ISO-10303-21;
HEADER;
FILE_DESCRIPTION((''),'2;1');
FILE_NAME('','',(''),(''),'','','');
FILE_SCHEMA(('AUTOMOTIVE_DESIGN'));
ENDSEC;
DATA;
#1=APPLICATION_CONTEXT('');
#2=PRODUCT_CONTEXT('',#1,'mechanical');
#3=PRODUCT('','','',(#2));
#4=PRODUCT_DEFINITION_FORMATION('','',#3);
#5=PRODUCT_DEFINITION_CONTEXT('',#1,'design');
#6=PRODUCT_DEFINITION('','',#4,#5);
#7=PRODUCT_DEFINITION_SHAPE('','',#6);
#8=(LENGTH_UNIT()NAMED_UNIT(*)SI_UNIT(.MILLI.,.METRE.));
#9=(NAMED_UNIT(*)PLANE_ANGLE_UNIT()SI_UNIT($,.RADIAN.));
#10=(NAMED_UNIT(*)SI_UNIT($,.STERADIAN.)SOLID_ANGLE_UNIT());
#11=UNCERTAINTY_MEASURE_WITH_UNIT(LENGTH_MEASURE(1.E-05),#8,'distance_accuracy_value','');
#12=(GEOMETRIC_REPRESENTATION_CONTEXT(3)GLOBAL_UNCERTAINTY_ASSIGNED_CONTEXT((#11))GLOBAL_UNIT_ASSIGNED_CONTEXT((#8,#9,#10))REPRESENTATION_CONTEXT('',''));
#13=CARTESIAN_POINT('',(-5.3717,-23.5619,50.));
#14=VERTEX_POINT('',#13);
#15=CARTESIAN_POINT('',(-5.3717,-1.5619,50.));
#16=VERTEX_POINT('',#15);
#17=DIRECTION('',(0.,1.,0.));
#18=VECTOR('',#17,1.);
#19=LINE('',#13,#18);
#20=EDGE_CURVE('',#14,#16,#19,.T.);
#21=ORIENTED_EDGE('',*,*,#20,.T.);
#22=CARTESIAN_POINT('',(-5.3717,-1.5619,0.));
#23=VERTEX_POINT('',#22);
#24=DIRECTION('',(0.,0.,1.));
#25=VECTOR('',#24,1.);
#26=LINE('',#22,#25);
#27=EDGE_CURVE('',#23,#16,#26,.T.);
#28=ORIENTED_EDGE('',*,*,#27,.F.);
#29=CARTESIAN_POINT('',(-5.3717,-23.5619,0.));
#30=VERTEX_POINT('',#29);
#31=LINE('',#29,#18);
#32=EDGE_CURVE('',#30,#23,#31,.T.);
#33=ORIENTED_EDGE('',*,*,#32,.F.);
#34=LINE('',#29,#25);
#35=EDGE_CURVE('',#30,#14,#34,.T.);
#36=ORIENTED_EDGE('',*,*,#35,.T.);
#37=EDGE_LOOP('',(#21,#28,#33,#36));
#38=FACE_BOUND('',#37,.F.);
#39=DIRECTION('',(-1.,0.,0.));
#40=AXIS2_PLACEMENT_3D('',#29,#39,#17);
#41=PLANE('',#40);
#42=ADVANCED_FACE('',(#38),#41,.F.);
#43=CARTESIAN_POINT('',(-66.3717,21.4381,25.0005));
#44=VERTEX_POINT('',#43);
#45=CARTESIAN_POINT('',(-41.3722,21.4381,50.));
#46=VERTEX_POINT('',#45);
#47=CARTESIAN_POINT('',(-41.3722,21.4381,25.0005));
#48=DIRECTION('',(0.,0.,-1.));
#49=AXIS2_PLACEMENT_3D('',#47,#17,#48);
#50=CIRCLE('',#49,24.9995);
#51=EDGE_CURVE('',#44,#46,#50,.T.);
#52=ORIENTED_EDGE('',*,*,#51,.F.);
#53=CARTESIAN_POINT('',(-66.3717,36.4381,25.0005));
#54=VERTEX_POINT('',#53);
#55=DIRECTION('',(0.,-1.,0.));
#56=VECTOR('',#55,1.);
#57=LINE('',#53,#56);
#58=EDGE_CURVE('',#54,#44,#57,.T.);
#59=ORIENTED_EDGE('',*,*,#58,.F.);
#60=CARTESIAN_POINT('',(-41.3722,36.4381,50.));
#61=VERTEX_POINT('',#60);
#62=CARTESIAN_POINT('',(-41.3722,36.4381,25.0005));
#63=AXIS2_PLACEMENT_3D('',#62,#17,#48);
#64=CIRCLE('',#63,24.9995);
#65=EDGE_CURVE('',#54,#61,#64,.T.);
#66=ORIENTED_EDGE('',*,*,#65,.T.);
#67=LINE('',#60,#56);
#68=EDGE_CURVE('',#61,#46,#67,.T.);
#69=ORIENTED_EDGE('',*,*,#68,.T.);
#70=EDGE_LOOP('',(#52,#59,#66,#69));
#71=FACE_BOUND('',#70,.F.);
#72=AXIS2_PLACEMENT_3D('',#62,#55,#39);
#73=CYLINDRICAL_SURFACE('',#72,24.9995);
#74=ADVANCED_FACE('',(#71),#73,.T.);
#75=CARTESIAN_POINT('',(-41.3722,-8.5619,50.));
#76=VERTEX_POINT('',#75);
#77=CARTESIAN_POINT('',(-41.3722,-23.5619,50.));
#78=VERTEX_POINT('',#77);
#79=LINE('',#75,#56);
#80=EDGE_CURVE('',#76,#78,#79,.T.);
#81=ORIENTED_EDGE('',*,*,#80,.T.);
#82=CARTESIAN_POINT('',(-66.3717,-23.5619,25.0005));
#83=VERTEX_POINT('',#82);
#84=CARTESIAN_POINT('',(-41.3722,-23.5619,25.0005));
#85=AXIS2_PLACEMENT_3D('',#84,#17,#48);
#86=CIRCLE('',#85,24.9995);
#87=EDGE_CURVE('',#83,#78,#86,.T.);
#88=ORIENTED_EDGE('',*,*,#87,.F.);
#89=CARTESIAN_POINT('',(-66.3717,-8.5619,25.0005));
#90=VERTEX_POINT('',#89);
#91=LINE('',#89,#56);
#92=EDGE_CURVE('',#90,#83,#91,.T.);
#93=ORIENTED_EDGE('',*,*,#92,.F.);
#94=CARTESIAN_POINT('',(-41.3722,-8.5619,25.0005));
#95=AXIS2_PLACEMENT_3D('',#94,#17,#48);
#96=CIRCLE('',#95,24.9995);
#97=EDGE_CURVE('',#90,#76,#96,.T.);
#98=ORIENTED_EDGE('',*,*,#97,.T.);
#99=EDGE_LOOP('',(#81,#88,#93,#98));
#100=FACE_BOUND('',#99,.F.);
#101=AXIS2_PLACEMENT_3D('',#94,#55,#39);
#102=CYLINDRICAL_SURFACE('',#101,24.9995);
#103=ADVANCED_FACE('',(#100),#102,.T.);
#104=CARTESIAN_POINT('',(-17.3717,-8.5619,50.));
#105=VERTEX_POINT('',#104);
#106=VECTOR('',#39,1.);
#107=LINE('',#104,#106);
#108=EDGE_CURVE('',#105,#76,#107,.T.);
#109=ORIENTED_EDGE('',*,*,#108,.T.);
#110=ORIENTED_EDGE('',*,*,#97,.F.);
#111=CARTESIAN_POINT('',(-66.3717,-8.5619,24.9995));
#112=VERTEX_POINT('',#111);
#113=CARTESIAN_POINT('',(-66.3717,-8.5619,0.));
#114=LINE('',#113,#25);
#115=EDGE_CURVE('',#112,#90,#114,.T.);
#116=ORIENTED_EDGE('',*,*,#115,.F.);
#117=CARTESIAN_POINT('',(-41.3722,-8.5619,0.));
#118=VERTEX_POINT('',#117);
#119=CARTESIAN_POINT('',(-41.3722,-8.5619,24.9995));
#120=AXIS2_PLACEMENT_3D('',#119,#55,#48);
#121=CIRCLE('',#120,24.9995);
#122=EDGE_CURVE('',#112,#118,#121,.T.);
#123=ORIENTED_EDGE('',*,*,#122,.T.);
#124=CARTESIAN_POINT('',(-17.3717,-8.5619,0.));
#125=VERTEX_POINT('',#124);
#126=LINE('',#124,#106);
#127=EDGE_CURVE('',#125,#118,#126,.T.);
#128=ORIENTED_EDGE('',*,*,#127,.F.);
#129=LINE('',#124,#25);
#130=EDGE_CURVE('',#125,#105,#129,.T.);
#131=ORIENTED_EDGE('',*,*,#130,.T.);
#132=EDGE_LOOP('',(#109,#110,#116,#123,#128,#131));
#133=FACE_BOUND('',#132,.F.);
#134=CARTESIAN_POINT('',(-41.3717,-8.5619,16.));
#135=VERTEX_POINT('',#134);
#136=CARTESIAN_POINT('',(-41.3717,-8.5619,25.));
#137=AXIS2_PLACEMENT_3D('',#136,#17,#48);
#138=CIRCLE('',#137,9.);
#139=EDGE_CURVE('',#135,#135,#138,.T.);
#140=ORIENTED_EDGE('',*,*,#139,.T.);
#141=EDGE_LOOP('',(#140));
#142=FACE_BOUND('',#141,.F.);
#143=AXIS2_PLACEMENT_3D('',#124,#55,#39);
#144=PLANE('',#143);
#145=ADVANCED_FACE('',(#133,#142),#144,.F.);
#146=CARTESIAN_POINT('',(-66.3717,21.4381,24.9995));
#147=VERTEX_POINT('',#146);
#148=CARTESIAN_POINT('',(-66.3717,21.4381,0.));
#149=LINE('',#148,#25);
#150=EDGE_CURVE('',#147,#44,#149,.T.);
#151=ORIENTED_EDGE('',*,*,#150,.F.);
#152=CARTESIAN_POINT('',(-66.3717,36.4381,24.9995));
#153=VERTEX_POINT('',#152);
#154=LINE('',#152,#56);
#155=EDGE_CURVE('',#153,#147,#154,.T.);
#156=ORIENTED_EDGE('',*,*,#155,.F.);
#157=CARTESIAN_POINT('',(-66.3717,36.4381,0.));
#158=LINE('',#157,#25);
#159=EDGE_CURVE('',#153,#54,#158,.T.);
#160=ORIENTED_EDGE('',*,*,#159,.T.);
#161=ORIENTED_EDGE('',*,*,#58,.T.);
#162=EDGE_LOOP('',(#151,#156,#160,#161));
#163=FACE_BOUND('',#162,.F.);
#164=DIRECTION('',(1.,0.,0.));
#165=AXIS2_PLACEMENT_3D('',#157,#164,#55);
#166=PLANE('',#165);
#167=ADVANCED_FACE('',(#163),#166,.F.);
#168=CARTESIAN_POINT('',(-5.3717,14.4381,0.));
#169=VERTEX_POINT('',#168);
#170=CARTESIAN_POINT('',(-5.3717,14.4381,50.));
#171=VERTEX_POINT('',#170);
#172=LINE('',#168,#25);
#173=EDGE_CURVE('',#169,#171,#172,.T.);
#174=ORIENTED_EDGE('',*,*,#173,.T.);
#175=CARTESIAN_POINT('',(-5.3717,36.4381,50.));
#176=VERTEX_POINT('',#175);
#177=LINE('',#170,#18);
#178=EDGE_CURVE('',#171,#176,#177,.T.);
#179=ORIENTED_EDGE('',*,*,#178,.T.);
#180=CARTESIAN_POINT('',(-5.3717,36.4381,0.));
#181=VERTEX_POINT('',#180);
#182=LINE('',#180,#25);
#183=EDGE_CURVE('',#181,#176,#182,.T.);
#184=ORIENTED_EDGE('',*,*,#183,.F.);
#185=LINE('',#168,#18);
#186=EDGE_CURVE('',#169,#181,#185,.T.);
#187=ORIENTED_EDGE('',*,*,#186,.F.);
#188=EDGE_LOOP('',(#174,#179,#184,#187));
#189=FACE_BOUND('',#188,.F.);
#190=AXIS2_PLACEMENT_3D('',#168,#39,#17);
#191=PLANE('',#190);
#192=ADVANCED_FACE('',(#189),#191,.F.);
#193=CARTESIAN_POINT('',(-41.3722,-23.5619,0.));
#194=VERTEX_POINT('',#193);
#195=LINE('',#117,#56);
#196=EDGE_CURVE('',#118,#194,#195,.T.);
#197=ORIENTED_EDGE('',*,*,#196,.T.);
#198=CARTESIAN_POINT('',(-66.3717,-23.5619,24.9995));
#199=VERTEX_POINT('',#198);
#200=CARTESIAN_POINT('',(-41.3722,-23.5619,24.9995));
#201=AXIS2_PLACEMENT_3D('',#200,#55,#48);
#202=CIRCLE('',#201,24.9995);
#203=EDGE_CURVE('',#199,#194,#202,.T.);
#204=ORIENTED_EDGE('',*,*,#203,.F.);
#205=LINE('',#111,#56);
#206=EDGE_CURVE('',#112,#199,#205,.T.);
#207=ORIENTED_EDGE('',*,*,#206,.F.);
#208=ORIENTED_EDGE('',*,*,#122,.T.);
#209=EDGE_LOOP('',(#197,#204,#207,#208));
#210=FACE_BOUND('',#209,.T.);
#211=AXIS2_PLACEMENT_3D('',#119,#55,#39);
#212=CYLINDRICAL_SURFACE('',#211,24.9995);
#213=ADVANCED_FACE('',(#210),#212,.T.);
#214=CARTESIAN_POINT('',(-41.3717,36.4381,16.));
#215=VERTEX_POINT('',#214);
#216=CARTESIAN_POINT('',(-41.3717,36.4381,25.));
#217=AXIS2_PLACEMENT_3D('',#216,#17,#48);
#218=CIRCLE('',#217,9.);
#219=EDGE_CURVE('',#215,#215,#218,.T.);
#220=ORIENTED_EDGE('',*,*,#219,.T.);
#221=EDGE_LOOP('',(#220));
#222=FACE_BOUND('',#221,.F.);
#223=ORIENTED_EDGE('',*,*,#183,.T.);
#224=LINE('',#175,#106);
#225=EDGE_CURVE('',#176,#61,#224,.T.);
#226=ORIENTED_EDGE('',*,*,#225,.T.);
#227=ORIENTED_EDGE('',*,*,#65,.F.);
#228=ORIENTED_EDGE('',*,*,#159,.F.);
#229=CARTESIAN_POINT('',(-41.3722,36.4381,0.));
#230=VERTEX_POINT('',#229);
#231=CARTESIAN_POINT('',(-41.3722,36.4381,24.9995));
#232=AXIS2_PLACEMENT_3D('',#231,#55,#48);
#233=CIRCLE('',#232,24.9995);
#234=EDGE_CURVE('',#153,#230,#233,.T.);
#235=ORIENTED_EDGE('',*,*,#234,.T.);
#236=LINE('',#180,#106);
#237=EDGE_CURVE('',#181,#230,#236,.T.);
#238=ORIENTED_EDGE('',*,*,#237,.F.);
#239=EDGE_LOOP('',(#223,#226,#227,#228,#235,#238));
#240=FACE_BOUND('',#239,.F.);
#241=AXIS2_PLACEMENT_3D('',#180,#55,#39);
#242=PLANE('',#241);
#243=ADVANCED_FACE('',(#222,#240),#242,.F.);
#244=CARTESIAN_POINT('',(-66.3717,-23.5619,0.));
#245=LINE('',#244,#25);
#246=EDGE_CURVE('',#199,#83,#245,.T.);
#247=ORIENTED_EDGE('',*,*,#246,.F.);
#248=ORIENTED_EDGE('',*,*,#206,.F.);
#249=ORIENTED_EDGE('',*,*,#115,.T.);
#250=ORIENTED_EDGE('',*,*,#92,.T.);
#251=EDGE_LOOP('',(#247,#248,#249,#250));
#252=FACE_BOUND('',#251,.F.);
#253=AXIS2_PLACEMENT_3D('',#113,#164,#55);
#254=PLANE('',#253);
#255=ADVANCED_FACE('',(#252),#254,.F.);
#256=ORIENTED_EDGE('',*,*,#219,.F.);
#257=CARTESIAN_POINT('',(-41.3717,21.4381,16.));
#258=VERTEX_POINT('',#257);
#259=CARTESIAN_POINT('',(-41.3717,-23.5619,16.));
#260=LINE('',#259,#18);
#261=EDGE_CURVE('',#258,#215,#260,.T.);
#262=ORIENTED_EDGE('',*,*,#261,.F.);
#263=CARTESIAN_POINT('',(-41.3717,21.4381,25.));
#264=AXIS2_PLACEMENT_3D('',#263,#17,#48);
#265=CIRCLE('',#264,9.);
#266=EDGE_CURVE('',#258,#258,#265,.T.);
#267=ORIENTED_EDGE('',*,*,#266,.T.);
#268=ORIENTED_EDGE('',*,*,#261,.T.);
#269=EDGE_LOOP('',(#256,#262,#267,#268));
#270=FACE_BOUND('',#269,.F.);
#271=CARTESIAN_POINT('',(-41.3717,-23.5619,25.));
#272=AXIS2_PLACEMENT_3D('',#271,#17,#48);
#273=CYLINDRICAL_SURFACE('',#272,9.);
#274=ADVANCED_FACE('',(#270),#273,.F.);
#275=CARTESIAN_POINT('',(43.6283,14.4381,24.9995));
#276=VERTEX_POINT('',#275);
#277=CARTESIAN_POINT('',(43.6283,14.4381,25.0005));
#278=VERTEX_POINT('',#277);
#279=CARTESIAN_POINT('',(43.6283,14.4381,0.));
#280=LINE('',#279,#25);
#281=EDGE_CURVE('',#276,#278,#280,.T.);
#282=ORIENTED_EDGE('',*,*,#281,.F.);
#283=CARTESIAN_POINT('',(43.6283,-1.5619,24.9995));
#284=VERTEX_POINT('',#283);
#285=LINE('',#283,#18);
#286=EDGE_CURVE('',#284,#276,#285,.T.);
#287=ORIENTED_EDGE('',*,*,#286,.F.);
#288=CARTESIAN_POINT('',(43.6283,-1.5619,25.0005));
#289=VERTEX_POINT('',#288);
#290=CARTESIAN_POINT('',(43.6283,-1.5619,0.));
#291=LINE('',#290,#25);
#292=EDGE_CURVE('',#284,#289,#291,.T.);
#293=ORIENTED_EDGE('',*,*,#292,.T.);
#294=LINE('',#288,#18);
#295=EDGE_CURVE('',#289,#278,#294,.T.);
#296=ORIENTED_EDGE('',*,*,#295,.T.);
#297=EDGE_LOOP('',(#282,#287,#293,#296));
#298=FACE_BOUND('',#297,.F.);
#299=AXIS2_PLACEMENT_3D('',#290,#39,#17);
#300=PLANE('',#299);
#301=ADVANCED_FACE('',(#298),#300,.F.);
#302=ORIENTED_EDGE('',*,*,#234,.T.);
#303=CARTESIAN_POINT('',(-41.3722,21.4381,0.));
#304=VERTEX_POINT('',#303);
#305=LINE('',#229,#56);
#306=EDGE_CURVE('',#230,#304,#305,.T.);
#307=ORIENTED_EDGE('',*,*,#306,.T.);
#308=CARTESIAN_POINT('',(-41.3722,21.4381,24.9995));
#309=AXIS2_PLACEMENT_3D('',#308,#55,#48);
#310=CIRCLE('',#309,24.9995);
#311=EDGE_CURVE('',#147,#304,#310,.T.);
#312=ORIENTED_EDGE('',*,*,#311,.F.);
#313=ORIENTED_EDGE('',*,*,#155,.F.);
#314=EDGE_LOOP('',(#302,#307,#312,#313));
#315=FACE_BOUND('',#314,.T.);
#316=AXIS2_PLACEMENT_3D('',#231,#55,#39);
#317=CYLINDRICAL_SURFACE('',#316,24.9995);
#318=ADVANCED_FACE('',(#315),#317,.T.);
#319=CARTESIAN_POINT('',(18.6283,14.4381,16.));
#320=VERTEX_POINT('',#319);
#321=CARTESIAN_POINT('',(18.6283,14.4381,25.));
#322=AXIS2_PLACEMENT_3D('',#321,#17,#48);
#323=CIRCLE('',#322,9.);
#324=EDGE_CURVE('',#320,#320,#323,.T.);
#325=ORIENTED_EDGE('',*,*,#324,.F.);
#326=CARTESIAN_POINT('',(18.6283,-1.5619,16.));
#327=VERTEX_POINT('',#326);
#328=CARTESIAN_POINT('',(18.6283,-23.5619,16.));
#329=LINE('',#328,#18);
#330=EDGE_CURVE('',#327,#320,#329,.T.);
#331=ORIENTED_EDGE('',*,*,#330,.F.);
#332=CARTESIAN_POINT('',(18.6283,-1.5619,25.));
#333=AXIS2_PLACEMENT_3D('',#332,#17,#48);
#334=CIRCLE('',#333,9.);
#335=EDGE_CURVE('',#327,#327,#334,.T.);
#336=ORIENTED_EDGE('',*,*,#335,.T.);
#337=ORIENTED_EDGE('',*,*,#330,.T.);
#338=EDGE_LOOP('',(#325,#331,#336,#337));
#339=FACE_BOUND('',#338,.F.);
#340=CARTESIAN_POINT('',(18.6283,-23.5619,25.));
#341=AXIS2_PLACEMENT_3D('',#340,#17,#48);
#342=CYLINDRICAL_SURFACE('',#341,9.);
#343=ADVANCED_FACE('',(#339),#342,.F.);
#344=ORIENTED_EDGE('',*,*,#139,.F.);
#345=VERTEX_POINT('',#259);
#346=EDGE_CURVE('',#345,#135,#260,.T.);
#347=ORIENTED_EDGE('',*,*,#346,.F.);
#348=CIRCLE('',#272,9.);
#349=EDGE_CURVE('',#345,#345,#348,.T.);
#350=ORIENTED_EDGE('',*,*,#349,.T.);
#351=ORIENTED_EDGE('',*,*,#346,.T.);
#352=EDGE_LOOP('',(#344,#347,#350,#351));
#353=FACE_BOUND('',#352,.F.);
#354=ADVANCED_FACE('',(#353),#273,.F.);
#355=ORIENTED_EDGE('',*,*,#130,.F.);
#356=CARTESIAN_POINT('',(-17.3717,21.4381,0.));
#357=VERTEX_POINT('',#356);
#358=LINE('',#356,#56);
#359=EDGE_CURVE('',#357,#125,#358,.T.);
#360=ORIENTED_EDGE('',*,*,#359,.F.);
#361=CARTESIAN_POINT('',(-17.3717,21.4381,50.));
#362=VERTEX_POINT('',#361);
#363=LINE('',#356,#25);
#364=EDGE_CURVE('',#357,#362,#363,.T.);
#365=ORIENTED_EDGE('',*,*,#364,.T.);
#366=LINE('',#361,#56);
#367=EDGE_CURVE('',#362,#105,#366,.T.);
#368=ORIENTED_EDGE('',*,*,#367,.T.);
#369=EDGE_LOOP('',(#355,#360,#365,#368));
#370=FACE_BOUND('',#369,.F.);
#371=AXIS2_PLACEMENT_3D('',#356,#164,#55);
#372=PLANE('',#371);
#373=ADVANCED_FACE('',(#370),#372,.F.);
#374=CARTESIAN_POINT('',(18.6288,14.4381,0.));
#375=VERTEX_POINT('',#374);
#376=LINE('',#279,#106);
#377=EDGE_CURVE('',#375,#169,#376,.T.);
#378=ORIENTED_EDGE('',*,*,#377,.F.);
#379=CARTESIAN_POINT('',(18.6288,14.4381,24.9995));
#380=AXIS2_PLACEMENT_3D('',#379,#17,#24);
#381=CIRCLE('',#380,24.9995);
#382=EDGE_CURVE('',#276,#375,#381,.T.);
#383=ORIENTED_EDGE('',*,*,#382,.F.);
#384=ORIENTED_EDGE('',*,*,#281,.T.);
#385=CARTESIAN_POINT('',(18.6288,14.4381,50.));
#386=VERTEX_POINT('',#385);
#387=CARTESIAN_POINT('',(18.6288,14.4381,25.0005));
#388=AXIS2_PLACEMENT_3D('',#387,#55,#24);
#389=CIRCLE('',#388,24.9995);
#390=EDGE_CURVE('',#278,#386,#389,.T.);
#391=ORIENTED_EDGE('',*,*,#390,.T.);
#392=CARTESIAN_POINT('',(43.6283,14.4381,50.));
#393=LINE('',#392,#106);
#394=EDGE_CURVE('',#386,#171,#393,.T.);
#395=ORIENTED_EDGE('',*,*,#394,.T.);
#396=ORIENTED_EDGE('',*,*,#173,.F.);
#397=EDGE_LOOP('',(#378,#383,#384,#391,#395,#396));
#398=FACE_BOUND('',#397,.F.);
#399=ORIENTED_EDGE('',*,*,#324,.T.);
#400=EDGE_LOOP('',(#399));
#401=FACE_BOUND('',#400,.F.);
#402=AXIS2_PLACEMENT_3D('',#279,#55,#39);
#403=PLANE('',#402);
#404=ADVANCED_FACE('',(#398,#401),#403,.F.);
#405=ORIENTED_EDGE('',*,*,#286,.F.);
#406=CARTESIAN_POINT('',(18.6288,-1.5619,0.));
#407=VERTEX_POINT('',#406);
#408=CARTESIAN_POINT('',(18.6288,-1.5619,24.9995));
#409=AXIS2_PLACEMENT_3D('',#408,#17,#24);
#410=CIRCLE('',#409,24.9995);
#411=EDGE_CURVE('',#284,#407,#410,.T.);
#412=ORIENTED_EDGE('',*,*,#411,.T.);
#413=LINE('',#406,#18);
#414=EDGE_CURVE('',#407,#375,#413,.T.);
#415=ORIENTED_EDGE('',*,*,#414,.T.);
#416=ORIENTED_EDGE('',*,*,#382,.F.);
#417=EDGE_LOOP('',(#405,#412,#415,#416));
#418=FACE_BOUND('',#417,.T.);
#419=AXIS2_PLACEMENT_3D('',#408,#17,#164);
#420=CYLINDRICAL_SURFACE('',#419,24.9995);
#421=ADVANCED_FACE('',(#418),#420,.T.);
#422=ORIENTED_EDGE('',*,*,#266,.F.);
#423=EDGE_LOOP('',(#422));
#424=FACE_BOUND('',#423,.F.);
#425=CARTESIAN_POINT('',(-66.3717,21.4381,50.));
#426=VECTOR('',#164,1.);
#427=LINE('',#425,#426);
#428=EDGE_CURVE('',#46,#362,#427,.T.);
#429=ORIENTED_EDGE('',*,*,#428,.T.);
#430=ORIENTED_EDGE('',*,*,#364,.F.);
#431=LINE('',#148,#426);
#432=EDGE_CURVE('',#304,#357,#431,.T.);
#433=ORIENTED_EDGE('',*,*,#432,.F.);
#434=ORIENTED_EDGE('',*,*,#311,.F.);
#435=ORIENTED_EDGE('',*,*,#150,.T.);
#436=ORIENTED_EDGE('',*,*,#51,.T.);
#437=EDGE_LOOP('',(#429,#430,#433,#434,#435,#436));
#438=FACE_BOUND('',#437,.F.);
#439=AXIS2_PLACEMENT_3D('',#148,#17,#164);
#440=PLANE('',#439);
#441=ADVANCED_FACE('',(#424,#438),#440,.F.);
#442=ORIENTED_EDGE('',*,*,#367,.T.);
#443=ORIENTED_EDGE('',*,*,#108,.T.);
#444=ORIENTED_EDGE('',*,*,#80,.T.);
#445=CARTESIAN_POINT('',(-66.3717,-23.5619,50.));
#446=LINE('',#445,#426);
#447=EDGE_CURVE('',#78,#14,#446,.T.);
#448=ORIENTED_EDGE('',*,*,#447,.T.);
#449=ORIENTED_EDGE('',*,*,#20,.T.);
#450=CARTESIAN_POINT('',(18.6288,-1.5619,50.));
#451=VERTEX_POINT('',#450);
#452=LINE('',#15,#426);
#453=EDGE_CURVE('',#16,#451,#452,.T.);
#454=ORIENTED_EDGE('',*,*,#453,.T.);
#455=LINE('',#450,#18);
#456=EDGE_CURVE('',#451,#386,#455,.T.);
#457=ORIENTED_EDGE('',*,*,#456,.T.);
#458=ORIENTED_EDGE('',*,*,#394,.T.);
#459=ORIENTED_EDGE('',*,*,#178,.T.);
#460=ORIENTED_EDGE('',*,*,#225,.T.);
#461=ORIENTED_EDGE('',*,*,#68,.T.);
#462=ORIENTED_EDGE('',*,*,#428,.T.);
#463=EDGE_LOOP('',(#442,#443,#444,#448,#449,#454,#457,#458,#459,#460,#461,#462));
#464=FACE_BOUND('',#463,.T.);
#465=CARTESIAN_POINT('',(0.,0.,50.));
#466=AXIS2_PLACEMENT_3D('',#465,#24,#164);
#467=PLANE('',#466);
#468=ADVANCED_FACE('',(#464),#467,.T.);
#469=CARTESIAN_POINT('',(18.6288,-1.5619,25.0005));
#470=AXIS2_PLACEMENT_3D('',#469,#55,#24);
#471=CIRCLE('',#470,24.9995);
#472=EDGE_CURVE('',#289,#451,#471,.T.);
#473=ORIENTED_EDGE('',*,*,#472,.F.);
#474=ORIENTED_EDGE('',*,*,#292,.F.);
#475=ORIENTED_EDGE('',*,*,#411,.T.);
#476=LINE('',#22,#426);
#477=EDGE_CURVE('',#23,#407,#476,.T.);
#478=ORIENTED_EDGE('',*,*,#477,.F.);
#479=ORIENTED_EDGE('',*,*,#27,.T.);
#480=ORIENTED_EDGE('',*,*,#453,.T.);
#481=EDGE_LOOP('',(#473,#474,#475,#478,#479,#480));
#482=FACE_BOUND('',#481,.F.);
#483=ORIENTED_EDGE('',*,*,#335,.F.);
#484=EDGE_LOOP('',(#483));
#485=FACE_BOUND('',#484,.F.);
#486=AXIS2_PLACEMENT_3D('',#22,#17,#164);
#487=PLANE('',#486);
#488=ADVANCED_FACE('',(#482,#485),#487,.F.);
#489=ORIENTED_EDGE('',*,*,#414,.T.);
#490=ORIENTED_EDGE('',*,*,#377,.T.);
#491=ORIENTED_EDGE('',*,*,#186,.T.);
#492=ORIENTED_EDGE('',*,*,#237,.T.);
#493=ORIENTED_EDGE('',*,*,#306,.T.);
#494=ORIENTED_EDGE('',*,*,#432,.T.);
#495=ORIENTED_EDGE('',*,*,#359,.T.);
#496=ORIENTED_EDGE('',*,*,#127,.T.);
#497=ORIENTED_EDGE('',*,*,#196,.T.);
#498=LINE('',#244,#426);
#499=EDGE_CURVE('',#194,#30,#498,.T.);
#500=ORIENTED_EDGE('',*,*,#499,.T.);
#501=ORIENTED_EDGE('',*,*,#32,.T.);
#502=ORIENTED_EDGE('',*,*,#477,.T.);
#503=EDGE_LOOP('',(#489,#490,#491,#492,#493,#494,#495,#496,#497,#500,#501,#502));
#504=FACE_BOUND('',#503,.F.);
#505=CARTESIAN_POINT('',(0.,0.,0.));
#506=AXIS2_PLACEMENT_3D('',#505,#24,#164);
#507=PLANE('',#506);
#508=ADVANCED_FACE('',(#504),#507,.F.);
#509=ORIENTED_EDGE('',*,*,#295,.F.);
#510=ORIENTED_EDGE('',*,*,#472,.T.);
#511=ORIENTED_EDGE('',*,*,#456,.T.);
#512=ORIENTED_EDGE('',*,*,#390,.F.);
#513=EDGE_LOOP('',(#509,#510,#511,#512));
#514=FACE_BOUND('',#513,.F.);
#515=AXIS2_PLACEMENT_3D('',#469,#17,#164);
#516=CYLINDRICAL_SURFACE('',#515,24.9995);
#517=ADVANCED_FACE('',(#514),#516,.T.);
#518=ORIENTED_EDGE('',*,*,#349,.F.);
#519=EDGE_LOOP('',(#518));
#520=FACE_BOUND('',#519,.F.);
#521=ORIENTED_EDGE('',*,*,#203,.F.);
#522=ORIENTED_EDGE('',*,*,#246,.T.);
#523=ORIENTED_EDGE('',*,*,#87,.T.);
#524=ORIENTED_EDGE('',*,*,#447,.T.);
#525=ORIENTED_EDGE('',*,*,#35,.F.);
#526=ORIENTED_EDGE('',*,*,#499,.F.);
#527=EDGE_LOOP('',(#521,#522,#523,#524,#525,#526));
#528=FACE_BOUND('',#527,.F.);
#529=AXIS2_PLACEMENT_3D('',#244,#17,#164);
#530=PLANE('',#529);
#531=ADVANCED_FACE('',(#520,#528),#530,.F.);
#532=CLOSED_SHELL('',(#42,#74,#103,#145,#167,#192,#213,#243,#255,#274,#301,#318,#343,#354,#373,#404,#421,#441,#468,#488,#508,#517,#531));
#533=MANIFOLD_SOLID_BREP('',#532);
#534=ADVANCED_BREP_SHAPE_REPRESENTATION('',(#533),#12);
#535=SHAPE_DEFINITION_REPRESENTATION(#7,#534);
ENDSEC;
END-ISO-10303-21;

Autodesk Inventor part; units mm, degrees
ref_plane "YZ Plane" through (0, 0, 0) normal (1, 0, 0) x (0, 1, 0)
ref_plane "XZ Plane" through (0, 0, 0) normal (0, 1, 0) x (-1, 0, 0)
ref_plane "XY Plane" through (0, 0, 0) normal (0, 0, 1) x (1, 0, 0)
sketch "Sketch1" plane through (0, 0, 0) normal (0, 0, 1) x (1, 0, 0)
  line L0 (-66.3717, -23.5619) -> (-5.3717, -23.5619)
  line L1 (-5.3717, -23.5619) -> (-5.3717, -1.5619)
  line L2 (-5.3717, -1.5619) -> (43.6283, -1.5619)
  line L3 (43.6283, -1.5619) -> (43.6283, 14.4381)
  line L4 (43.6283, 14.4381) -> (-5.3717, 14.4381)
  line L5 (-5.3717, 14.4381) -> (-5.3717, 36.4381)
  line L6 (-5.3717, 36.4381) -> (-66.3717, 36.4381)
  line L7 (-66.3717, 36.4381) -> (-66.3717, 21.4381)
  line L8 (-66.3717, 21.4381) -> (-17.3717, 21.4381)
  line L9 (-17.3717, 21.4381) -> (-17.3717, -8.5619)
  line L10 (-17.3717, -8.5619) -> (-66.3717, -8.5619)
  line L11 (-66.3717, -8.5619) -> (-66.3717, -23.5619)
  point P0 (0, 0)
  dimension "d0" = 15
  dimension "d1" = 15
  dimension "d2" = 60
  dimension "d3" = 12
  dimension "d4" = 61
  dimension "d5" = 22
  dimension "d6" = 22
  dimension "d7" = 49
  dimension "d8" = 43.6283
  dimension "d9" = 1.5619
extrude "Extrusion1" add sketch "Sketch1" along normal blind 50
fillet "Fillet1" radius 25 6 edges at (43.6283, 6.4381, 50) (43.6283, 6.4381, 0) (-66.3717, 28.9381, 50) (-66.3717, -16.0619, 50) (-66.3717, 28.9381, 0) (-66.3717, -16.0619, 0)
sketch "Sketch2" plane through (-5.3717, -23.5619, 0) normal (0, -1, 0) x (1, 0, 0)
  arc A0 (-36, 50) -> (-36, 0) centre (-36, 25) ccw projected
  arc A1 (24, 0) -> (24, 50) centre (24, 25) ccw projected
  point P0 (5.3717, 0)
hole "Hole1" at (-41.3717, -23.5619, 25) at (18.6283, -23.5619, 25) direction (0, 1, 0) diameter 18 end through all
properties part number "6_16_V"
